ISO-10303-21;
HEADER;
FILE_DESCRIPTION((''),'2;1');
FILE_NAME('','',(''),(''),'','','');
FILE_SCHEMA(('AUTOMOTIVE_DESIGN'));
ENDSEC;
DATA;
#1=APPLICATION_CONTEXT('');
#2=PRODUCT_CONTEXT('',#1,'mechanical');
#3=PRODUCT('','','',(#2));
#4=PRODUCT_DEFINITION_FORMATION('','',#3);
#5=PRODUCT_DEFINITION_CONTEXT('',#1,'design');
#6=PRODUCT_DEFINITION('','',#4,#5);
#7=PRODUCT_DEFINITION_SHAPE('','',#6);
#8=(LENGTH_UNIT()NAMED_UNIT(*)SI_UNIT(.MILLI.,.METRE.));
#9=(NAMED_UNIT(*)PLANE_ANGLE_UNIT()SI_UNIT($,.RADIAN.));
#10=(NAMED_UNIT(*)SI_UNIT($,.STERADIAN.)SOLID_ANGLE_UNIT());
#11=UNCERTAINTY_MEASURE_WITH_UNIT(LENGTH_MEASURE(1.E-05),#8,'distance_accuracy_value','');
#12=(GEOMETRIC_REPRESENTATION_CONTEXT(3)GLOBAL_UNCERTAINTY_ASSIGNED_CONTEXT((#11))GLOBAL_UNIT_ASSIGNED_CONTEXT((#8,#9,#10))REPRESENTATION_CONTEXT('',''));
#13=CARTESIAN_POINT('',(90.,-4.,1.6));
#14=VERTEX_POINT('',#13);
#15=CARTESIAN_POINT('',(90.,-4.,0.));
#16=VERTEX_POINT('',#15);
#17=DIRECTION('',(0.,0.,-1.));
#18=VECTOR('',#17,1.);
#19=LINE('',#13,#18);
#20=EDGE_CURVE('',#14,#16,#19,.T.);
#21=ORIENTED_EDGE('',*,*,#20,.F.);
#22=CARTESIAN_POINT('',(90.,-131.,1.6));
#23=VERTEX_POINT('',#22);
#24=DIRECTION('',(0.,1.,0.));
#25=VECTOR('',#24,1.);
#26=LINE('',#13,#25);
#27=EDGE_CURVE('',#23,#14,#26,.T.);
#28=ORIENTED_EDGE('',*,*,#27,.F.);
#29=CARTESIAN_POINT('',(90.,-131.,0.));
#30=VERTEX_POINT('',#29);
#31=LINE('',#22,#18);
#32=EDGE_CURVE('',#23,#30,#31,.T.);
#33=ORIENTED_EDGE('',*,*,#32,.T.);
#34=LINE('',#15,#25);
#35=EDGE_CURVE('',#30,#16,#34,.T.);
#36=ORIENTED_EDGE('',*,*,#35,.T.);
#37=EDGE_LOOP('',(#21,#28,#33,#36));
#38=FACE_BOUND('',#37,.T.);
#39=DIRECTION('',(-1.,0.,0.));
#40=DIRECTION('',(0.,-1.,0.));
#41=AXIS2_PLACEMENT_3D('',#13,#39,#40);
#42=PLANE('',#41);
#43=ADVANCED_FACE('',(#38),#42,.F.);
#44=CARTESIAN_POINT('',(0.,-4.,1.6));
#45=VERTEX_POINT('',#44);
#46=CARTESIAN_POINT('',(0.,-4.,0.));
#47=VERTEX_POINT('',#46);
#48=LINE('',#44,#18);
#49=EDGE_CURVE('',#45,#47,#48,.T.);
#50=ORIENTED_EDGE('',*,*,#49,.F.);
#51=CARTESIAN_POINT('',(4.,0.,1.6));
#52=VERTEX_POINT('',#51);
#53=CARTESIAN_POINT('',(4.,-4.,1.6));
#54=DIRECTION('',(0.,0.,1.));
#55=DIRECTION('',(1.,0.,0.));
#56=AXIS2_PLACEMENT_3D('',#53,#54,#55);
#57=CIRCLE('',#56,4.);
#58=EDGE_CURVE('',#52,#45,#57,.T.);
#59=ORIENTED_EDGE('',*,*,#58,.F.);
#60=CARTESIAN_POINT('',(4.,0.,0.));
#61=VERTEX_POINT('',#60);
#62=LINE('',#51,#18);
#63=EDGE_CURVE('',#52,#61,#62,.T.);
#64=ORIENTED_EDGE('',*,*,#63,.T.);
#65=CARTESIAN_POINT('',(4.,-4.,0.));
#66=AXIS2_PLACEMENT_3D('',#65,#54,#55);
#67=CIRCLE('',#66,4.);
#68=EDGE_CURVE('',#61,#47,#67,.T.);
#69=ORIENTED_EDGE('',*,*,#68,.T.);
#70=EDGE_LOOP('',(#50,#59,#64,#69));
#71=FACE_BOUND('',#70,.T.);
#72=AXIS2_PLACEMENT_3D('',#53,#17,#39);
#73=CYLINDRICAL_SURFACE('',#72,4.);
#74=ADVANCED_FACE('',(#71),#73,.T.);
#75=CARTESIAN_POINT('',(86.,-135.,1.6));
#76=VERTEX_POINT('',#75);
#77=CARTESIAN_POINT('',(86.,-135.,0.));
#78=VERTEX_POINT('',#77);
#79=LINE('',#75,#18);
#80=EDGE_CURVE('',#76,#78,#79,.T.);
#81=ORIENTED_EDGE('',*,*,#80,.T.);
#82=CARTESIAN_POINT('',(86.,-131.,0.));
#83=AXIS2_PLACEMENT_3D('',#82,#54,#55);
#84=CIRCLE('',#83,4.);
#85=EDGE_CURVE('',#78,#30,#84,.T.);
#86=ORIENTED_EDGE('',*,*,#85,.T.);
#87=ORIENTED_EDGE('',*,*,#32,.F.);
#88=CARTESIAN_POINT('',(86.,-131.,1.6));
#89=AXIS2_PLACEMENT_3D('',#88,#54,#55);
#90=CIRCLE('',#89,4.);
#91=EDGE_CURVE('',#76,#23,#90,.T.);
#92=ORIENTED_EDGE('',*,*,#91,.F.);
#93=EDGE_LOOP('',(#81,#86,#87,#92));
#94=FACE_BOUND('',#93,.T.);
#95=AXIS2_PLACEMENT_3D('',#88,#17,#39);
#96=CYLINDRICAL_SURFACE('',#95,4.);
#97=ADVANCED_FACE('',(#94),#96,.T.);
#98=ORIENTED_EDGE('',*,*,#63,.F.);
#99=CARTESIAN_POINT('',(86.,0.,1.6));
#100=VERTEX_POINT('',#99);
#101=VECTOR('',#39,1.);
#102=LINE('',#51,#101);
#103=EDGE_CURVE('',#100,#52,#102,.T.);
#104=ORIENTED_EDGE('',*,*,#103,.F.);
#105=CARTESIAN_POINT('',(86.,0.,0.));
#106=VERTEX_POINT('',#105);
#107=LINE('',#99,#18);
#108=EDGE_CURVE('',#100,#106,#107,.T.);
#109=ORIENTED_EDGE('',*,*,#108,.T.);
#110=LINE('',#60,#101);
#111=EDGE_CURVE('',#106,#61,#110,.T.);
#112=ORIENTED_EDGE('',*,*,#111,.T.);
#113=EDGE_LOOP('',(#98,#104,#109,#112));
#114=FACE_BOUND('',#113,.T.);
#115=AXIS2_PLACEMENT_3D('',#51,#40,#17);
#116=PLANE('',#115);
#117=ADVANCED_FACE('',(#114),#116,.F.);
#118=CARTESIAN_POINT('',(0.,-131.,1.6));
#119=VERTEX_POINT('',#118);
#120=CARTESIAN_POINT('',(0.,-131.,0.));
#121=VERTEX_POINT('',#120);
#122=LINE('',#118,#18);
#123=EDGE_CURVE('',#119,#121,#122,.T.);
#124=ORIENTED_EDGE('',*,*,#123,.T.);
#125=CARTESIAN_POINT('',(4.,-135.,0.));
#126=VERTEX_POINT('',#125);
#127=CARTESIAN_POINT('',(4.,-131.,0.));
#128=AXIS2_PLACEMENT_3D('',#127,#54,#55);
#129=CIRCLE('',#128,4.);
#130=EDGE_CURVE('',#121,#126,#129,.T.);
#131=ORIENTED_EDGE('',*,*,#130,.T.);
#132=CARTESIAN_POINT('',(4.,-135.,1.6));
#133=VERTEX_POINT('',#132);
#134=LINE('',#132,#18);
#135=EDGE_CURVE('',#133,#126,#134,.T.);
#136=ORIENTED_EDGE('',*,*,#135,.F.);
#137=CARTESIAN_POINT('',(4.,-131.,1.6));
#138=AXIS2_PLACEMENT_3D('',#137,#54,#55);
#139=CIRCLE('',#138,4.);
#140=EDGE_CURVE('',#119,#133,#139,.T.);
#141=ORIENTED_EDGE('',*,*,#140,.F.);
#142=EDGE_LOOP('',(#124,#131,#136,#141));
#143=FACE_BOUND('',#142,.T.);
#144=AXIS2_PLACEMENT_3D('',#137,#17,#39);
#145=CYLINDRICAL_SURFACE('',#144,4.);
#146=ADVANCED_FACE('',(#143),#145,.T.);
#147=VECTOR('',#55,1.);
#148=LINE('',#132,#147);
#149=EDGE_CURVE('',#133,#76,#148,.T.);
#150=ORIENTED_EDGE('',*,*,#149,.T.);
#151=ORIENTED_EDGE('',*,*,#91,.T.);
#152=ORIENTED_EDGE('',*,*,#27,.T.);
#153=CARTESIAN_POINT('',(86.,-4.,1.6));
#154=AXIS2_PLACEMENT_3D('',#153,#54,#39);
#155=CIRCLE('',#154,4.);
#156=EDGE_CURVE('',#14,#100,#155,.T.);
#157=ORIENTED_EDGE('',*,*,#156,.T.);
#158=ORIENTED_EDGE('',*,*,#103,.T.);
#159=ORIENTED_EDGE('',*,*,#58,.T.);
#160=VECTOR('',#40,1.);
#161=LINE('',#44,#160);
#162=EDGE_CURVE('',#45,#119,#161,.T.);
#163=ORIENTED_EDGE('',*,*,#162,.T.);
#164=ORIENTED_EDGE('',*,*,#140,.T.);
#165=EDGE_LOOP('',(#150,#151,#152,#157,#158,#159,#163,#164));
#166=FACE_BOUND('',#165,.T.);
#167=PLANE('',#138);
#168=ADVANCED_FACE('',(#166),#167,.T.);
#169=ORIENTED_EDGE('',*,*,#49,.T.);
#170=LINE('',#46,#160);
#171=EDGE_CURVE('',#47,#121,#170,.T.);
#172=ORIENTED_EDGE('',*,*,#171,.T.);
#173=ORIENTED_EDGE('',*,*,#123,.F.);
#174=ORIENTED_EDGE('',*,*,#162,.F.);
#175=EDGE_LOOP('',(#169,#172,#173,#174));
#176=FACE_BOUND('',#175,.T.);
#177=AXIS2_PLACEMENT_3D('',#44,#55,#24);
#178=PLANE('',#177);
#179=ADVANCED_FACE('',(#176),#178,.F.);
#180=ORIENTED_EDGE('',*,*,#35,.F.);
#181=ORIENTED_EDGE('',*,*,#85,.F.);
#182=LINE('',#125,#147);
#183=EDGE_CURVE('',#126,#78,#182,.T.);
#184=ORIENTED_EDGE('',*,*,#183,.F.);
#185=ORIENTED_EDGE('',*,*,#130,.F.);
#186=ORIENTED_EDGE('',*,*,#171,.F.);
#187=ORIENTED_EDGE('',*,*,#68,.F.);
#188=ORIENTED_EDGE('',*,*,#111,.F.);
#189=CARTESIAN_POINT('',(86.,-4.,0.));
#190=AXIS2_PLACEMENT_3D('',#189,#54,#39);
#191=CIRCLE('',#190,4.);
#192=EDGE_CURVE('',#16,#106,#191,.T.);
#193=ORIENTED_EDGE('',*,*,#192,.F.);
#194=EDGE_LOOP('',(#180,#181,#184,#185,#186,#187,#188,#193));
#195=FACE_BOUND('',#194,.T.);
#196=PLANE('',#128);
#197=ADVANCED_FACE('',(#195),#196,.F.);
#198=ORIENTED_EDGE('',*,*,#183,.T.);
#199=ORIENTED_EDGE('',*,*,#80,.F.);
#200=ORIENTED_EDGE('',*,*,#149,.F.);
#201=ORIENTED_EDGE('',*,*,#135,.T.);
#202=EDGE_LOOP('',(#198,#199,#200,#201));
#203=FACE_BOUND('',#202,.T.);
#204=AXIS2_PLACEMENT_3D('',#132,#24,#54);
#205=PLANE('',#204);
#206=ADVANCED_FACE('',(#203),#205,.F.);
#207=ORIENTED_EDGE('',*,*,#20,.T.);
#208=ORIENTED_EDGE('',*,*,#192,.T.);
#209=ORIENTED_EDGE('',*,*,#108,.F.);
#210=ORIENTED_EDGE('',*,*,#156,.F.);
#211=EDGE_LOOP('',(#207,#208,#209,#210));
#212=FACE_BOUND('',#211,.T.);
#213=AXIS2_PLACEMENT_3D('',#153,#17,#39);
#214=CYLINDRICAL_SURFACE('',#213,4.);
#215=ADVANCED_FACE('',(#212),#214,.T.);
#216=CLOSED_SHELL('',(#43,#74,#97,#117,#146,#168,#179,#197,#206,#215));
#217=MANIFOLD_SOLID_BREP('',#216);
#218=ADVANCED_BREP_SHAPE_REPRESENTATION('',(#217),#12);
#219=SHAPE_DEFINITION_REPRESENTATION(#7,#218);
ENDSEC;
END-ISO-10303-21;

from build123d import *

# Parameters (mm, degrees)
BOSS_EXTRU_1_DEPTH = 1.6


with BuildPart() as part:
    # Esquisse1 → Boss.-Extru.1 (new body)
    with BuildSketch(Plane.XY):
        with BuildLine():
            Line((4, 0), (86, 0))
            ThreePointArc((86, 0), (88.828427125, -1.171572875), (90, -4))
            Line((90, -4), (90, -131))
            ThreePointArc((90, -131), (88.828427125, -133.828427125), (86, -135))
            Line((86, -135), (4, -135))
            ThreePointArc((4, -135), (1.171572875, -133.828427125), (0, -131))
            Line((0, -131), (0, -4))
            ThreePointArc((0, -4), (1.171572875, -1.171572875), (4, 0))
        make_face()
    extrude(amount=BOSS_EXTRU_1_DEPTH)


solid = part.part
